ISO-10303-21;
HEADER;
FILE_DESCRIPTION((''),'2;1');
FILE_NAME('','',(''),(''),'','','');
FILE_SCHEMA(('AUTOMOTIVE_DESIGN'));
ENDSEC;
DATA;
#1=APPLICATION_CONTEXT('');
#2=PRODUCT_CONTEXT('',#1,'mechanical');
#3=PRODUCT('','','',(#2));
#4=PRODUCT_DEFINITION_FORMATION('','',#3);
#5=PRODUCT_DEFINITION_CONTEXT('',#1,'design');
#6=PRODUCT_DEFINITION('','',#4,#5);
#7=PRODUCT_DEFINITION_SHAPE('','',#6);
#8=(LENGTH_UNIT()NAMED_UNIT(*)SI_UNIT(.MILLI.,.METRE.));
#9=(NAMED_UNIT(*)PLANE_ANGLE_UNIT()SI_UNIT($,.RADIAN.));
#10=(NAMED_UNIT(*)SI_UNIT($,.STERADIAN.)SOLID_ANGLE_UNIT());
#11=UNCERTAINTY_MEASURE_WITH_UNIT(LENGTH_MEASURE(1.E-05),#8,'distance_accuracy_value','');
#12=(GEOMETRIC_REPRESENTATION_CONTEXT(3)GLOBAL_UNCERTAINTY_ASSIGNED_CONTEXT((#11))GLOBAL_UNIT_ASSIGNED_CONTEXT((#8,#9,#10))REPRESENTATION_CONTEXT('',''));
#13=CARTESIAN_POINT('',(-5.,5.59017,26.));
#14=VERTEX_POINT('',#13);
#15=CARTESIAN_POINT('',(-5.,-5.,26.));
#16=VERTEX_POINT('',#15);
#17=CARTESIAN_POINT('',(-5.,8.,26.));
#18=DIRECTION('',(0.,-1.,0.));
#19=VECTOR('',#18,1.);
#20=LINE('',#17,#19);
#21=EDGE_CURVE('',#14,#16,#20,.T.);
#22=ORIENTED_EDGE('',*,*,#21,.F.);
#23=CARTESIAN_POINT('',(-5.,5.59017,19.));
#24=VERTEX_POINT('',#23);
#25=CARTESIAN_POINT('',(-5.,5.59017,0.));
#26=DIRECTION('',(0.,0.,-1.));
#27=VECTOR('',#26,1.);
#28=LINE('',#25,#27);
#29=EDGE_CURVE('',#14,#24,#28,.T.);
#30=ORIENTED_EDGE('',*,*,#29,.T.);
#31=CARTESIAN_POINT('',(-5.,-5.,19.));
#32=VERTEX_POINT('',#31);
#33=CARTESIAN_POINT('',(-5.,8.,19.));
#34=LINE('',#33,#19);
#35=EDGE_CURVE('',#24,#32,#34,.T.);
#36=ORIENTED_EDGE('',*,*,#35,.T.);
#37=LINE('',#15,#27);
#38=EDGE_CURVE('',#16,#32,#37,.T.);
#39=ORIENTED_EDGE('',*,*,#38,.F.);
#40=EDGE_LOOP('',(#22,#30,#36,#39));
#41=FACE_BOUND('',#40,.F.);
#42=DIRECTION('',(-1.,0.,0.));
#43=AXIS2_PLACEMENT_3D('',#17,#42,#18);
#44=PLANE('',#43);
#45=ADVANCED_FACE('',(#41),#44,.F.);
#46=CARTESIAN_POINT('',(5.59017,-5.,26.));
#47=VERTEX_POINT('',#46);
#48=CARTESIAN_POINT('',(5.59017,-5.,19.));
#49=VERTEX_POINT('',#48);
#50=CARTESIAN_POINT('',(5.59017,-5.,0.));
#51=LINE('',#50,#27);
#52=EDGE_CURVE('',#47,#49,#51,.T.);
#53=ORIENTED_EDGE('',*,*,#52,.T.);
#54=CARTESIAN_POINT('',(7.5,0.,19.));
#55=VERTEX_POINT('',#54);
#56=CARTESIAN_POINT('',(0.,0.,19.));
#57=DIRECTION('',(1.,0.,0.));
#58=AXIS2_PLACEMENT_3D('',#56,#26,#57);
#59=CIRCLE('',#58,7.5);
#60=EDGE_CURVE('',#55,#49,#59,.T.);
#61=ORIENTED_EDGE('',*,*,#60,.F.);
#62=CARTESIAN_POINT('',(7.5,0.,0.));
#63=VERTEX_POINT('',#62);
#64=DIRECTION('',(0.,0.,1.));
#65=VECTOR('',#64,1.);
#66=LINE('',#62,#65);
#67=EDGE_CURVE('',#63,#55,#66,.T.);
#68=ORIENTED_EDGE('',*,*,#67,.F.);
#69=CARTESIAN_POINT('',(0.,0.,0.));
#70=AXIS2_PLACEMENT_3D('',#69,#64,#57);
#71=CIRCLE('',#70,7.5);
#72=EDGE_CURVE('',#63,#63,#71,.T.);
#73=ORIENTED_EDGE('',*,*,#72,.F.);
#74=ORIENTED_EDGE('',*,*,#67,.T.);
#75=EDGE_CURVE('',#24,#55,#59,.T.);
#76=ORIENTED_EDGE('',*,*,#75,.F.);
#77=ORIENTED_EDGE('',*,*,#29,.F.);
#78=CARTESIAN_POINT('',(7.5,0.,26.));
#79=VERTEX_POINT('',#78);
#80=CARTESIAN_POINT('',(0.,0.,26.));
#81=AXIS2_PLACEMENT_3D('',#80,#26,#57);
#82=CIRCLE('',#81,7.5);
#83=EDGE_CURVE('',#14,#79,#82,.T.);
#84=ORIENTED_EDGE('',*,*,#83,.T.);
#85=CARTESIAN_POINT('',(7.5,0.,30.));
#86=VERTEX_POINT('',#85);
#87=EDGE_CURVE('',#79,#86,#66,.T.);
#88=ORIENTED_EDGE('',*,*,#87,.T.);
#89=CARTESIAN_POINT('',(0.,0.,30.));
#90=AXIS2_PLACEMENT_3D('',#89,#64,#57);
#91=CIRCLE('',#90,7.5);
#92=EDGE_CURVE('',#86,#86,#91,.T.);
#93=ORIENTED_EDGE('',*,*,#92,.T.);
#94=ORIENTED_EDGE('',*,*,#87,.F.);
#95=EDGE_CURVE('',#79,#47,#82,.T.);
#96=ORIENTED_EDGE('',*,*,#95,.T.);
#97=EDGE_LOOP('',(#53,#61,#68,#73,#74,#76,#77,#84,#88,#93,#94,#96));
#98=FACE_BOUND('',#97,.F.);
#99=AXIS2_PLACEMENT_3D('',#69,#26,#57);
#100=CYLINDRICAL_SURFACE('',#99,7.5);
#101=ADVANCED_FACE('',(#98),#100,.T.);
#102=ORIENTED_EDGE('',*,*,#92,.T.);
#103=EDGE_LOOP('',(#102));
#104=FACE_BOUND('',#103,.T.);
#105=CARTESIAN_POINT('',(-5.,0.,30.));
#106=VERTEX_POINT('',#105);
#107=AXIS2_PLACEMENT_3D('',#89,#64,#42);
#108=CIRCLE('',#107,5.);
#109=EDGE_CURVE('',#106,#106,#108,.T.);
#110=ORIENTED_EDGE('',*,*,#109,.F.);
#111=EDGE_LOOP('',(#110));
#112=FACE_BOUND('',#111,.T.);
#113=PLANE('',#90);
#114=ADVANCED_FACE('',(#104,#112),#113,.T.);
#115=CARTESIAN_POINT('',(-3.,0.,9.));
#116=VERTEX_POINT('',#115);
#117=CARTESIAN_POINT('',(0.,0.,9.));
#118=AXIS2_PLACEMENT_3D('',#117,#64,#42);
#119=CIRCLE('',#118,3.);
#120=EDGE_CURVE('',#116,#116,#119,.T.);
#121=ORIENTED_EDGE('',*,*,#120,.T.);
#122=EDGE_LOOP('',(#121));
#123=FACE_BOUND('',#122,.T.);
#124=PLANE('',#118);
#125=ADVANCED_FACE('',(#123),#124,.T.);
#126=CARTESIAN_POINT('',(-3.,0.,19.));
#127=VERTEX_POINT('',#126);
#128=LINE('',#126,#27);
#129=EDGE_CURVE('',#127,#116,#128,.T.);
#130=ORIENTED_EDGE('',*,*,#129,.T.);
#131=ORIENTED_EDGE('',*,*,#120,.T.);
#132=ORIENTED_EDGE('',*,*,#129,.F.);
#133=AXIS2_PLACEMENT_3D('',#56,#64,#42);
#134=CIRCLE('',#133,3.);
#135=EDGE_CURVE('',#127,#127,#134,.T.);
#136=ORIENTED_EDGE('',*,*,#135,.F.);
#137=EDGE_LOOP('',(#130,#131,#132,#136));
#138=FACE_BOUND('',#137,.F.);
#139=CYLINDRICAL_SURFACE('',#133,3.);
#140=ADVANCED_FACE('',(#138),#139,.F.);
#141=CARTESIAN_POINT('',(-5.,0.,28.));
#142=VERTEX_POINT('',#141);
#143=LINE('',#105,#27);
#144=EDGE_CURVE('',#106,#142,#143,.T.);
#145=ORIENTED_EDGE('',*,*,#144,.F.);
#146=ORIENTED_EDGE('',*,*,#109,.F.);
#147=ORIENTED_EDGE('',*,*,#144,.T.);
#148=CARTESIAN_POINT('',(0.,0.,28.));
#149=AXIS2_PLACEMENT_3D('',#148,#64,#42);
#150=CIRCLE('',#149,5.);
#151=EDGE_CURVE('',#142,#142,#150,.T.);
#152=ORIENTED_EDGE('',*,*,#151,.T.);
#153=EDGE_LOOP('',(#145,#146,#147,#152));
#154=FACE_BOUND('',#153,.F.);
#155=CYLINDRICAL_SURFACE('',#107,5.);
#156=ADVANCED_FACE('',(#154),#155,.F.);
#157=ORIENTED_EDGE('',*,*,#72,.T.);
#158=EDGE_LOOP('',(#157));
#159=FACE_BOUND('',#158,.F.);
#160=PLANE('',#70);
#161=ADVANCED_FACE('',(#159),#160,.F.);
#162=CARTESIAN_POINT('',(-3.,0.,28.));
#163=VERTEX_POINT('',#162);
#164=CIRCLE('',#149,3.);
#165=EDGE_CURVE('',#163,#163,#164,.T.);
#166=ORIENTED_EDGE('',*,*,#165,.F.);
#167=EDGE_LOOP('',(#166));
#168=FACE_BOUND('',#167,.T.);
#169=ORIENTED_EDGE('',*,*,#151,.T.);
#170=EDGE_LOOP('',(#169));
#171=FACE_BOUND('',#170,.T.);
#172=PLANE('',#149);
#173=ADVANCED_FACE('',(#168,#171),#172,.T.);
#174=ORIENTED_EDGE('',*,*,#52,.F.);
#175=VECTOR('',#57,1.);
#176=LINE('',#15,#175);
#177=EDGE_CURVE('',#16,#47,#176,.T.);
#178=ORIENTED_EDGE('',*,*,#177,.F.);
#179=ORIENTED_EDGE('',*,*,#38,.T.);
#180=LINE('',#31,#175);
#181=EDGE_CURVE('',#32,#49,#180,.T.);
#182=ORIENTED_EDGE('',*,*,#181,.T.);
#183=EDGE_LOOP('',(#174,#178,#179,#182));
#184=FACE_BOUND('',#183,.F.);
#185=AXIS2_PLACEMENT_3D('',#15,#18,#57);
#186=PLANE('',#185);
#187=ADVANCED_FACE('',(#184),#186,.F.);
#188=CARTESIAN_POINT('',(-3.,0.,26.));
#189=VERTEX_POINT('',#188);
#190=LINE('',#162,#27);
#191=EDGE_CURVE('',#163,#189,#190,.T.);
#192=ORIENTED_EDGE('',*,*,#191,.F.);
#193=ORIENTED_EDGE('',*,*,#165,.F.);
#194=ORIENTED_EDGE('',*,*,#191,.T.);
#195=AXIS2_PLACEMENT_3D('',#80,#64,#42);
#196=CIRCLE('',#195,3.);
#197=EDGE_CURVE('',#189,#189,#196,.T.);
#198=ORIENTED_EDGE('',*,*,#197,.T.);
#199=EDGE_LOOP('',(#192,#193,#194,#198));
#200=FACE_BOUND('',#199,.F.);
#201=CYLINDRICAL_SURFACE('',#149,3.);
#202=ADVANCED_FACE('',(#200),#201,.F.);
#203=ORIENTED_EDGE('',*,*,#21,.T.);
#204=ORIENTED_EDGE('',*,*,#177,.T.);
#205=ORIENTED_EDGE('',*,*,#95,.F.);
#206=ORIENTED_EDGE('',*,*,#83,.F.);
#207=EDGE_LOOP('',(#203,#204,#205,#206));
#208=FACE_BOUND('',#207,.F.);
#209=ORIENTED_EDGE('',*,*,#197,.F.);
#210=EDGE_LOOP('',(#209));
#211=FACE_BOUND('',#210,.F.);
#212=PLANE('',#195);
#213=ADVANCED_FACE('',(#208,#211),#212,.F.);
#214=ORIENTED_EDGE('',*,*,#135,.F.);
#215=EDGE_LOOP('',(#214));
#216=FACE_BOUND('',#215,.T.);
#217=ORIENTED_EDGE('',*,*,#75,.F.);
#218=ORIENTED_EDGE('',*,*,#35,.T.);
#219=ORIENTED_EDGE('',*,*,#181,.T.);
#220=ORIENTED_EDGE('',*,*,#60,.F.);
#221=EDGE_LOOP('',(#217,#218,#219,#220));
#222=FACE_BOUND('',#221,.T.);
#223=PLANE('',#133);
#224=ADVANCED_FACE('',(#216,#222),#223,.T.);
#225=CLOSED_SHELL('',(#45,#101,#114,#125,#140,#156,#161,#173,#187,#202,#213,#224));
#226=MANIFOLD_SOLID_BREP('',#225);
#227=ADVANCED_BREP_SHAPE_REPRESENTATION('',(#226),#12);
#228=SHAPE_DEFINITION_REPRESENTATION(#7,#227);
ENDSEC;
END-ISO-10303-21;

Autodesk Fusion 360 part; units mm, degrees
sketch "Sketch1" plane through (0, 0, 0) normal (0, 0, 1) x (1, 0, 0)
  circle A0 centre (0, 0) radius 7.5
  dimension "d1" = 15
extrude "Extrude1" add sketch "Sketch1" along normal blind 30
sketch "Sketch2" plane through (0, 0, 30) normal (0, 0, 1) x (-1, 0, 0)
  circle A0 centre (0, 0) radius 7.5
  line L0 (0, 0) -> (-10.0601, 0)
  line L1 (-10.0601, 0) -> (-10.0601, -9.4901)
  line L2 (-10.0601, -9.4901) -> (0, -9.4901)
  line L3 (0, -9.4901) -> (0, 0)
sketch "Sketch3" plane through (0, 0, 30) normal (0, 0, 1) x (-1, 0, 0)
  circle A0 centre (0, 0) radius 7.5
  circle A1 centre (0, 0) radius 5
  dimension "d8" = 10
extrude "Extrude4" cut sketch "Sketch3" against normal blind 2 contours A1
sketch "Sketch4" plane through (0, 0, 28) normal (0, 0, 1) x (-1, 0, 0)
  circle A0 centre (0, 0) radius 5
  circle A1 centre (0, 0) radius 3
  dimension "d11" = 6
extrude "Extrude5" cut sketch "Sketch4" against normal blind 2 contours A1
sketch "Sketch5" plane through (0, 0, 26) normal (0, 0, 1) x (-1, 0, 0)
  circle A0 centre (0, 0) radius 3
  line L0 (-8, -8) -> (5, -8)
  line L1 (5, -8) -> (5, 5)
  line L2 (5, 5) -> (-8, 5)
  line L3 (-8, 5) -> (-8, -8)
  line L4 (-8, -8) -> (5, 5) construction
  line L5 (5, -8) -> (-8, 5) construction
  point P0 (-1.5, -1.5)
extrude "Extrude6" cut sketch "Sketch5" against normal blind 7 contours A0 | L0 L1 L2 L3
sketch "Sketch6" plane through (0, 0, 19) normal (0, 0, 1) x (-1, 0, 0)
  arc A0 (-5.5902, 5) -> (5, -5.5902) centre (0, 0) ccw
  line L0 (5, -5.5902) -> (5, 5)
  line L1 (5, 5) -> (-5.5902, 5)
  circle A1 centre (0, 0) radius 3
  dimension "d16" = 6
extrude "Extrude7" cut sketch "Sketch6" against normal blind 10 contours A1
